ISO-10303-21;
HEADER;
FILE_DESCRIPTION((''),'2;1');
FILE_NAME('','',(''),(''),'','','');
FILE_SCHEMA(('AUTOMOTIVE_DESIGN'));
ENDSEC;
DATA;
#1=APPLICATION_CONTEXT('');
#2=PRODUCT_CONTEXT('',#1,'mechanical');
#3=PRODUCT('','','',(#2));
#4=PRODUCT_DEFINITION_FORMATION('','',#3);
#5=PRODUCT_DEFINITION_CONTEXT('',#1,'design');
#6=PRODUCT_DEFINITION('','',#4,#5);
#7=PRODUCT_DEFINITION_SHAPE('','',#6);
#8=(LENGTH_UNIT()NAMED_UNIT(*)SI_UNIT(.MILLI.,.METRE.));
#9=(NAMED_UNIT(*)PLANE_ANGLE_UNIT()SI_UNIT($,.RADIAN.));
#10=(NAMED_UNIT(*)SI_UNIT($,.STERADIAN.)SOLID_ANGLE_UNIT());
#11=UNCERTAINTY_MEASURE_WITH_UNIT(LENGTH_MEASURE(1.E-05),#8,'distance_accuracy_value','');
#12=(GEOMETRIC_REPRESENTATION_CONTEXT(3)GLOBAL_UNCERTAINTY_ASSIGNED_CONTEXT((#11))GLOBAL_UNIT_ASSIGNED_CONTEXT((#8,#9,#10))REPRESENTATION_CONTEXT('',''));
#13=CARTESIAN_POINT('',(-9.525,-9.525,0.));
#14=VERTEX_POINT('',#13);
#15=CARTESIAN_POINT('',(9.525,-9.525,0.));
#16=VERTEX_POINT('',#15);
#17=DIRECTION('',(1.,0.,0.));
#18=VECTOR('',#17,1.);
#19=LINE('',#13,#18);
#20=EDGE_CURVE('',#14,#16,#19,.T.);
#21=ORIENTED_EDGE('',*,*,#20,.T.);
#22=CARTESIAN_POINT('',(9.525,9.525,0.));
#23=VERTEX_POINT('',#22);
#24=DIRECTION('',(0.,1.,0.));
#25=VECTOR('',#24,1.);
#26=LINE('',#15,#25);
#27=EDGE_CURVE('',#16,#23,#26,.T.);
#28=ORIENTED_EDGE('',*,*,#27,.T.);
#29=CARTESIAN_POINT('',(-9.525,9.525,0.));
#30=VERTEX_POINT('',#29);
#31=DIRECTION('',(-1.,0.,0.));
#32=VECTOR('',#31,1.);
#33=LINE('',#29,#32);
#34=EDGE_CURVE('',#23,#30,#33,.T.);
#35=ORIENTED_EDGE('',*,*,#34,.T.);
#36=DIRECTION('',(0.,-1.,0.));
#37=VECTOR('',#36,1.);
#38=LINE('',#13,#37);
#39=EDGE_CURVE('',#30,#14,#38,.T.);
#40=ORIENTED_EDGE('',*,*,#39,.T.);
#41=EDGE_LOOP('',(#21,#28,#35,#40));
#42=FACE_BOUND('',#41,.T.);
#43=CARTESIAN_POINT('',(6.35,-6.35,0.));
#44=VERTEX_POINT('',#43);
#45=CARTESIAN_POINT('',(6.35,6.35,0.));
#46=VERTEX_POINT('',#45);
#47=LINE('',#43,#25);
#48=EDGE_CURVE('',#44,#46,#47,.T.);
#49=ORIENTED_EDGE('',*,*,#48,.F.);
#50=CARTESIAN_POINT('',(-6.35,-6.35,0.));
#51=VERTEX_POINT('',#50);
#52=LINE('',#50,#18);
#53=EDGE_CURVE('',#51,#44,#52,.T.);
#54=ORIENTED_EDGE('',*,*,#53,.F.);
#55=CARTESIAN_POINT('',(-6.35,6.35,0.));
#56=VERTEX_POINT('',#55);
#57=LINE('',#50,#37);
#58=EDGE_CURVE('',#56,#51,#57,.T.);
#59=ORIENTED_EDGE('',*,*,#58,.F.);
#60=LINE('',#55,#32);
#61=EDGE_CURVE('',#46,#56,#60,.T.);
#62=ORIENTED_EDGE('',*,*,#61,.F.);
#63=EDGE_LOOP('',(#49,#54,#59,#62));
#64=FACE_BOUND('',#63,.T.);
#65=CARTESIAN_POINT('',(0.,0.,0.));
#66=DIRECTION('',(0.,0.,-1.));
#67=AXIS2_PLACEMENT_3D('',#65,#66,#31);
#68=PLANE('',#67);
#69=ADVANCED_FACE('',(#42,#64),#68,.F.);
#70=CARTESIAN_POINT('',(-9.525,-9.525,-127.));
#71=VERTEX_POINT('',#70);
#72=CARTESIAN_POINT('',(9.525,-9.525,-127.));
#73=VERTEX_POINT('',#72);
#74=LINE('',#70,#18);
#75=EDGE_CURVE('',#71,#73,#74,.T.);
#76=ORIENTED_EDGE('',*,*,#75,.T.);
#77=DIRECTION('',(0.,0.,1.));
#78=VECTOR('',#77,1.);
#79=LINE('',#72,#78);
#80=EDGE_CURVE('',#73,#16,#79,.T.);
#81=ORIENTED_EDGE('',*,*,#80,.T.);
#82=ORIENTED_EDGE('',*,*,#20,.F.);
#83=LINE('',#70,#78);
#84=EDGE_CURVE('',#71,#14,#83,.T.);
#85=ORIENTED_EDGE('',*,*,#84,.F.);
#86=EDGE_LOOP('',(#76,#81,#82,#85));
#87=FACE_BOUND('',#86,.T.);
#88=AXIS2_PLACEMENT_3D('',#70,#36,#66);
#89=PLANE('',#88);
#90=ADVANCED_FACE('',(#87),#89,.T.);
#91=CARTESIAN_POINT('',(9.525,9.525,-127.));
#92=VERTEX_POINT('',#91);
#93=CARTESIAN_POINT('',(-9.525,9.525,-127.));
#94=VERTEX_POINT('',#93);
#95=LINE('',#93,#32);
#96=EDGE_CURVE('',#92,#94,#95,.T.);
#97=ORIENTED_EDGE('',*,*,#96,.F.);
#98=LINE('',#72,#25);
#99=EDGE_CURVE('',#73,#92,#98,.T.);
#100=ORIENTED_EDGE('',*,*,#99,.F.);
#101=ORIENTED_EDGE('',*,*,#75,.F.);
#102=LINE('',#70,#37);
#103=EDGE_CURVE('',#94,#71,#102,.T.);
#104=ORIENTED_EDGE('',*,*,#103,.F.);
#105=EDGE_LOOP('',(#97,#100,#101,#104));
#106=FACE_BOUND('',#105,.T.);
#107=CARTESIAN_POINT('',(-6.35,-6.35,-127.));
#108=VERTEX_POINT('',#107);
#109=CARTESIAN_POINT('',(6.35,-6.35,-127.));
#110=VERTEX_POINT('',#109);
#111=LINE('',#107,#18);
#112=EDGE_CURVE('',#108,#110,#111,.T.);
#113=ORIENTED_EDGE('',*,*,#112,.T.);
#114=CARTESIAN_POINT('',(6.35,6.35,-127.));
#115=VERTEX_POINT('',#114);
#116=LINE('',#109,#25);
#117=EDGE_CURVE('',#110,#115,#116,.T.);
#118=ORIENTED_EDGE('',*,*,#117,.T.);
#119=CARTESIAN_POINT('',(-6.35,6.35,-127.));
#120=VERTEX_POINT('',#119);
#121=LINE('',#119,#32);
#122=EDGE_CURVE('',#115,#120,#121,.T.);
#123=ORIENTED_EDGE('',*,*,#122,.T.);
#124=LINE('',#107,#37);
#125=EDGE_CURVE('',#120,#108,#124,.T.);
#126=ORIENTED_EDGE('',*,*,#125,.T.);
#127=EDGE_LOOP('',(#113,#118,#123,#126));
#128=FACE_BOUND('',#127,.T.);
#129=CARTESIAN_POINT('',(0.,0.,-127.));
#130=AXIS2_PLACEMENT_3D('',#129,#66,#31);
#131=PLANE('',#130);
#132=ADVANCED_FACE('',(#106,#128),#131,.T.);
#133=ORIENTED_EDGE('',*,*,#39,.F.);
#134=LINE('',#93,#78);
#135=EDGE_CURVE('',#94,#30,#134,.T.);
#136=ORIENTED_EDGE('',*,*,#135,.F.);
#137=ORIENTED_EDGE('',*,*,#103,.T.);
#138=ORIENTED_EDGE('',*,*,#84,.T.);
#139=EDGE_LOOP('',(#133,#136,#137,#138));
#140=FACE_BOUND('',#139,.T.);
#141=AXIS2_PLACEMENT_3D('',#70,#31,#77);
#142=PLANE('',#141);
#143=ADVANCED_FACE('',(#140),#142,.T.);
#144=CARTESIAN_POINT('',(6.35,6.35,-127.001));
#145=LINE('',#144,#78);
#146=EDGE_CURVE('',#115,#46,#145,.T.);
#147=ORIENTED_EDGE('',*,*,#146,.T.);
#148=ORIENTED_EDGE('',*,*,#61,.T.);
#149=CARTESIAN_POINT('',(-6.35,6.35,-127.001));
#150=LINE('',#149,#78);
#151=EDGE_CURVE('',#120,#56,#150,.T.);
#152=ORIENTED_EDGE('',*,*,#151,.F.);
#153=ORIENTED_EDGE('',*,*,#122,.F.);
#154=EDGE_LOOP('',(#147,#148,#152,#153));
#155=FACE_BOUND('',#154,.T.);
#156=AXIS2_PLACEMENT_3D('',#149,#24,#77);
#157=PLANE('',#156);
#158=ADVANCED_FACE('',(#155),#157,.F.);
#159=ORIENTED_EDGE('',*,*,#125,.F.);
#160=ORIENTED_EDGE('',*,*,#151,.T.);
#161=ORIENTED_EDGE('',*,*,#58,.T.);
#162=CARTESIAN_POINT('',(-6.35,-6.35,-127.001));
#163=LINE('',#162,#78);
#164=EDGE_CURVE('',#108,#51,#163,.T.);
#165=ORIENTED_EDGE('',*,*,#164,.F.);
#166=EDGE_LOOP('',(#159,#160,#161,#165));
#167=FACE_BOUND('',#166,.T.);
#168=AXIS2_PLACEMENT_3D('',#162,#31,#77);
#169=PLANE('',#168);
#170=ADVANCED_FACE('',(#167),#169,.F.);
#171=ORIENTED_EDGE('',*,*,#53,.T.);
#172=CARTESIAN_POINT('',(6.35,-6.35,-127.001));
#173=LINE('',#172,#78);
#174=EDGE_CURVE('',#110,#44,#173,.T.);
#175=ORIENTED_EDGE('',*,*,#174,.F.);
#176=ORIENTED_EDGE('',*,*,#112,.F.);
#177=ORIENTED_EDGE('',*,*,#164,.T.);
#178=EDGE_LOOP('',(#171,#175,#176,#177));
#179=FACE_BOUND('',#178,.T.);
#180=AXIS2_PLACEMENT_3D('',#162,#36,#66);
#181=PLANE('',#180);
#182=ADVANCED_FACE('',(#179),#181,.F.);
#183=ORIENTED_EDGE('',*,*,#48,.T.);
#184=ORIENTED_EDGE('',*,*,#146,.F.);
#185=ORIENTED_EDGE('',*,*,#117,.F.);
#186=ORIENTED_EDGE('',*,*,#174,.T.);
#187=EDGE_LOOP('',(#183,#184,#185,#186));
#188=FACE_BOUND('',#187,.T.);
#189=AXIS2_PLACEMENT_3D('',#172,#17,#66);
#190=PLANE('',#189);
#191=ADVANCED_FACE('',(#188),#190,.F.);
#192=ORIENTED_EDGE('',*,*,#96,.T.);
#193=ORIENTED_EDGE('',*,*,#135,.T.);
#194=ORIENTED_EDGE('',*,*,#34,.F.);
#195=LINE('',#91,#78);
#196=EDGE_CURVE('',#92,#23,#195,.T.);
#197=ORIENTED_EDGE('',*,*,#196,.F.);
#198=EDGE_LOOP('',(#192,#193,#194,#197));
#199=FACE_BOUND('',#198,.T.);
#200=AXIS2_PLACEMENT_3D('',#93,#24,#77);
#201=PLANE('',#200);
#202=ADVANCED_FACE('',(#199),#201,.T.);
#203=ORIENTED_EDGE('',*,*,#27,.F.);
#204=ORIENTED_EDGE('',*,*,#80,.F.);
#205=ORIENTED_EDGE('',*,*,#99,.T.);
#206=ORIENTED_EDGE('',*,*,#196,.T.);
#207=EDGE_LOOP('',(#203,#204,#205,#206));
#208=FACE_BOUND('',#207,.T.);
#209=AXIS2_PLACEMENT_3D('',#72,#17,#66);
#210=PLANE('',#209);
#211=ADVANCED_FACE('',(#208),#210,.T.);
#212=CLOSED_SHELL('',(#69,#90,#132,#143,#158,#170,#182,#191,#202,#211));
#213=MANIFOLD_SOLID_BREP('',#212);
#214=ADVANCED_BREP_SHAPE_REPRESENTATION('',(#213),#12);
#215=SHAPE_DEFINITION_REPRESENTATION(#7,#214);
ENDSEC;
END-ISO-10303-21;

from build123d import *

# Parameters (mm, degrees)
SKETCH1_W           = 19.05
SKETCH1_H           = 19.05
BOSS_EXTRUDE1_DEPTH = 127
CUT_EXTRUDE1_REACH  = 129
SKETCH2_W           = 12.7
SKETCH2_H           = 12.7


with BuildPart() as part:
    # Sketch1 → Boss-Extrude1 (new body)
    with BuildSketch(Plane.XY):
        Rectangle(SKETCH1_W, SKETCH1_H)
    extrude(amount=-BOSS_EXTRUDE1_DEPTH)

    # Sketch2 → Cut-Extrude1 (cut, up to next)
    with BuildSketch(Plane.XY, mode=Mode.PRIVATE) as cut_extrude1_sk1:
        Rectangle(SKETCH2_W, SKETCH2_H)
    cut_extrude1_tool1 = extrude(cut_extrude1_sk1.sketch, amount=-CUT_EXTRUDE1_REACH, mode=Mode.PRIVATE) & part.part
    add(cut_extrude1_tool1.solids().sort_by_distance((0, 0, 0))[0], mode=Mode.SUBTRACT)


solid = part.part
